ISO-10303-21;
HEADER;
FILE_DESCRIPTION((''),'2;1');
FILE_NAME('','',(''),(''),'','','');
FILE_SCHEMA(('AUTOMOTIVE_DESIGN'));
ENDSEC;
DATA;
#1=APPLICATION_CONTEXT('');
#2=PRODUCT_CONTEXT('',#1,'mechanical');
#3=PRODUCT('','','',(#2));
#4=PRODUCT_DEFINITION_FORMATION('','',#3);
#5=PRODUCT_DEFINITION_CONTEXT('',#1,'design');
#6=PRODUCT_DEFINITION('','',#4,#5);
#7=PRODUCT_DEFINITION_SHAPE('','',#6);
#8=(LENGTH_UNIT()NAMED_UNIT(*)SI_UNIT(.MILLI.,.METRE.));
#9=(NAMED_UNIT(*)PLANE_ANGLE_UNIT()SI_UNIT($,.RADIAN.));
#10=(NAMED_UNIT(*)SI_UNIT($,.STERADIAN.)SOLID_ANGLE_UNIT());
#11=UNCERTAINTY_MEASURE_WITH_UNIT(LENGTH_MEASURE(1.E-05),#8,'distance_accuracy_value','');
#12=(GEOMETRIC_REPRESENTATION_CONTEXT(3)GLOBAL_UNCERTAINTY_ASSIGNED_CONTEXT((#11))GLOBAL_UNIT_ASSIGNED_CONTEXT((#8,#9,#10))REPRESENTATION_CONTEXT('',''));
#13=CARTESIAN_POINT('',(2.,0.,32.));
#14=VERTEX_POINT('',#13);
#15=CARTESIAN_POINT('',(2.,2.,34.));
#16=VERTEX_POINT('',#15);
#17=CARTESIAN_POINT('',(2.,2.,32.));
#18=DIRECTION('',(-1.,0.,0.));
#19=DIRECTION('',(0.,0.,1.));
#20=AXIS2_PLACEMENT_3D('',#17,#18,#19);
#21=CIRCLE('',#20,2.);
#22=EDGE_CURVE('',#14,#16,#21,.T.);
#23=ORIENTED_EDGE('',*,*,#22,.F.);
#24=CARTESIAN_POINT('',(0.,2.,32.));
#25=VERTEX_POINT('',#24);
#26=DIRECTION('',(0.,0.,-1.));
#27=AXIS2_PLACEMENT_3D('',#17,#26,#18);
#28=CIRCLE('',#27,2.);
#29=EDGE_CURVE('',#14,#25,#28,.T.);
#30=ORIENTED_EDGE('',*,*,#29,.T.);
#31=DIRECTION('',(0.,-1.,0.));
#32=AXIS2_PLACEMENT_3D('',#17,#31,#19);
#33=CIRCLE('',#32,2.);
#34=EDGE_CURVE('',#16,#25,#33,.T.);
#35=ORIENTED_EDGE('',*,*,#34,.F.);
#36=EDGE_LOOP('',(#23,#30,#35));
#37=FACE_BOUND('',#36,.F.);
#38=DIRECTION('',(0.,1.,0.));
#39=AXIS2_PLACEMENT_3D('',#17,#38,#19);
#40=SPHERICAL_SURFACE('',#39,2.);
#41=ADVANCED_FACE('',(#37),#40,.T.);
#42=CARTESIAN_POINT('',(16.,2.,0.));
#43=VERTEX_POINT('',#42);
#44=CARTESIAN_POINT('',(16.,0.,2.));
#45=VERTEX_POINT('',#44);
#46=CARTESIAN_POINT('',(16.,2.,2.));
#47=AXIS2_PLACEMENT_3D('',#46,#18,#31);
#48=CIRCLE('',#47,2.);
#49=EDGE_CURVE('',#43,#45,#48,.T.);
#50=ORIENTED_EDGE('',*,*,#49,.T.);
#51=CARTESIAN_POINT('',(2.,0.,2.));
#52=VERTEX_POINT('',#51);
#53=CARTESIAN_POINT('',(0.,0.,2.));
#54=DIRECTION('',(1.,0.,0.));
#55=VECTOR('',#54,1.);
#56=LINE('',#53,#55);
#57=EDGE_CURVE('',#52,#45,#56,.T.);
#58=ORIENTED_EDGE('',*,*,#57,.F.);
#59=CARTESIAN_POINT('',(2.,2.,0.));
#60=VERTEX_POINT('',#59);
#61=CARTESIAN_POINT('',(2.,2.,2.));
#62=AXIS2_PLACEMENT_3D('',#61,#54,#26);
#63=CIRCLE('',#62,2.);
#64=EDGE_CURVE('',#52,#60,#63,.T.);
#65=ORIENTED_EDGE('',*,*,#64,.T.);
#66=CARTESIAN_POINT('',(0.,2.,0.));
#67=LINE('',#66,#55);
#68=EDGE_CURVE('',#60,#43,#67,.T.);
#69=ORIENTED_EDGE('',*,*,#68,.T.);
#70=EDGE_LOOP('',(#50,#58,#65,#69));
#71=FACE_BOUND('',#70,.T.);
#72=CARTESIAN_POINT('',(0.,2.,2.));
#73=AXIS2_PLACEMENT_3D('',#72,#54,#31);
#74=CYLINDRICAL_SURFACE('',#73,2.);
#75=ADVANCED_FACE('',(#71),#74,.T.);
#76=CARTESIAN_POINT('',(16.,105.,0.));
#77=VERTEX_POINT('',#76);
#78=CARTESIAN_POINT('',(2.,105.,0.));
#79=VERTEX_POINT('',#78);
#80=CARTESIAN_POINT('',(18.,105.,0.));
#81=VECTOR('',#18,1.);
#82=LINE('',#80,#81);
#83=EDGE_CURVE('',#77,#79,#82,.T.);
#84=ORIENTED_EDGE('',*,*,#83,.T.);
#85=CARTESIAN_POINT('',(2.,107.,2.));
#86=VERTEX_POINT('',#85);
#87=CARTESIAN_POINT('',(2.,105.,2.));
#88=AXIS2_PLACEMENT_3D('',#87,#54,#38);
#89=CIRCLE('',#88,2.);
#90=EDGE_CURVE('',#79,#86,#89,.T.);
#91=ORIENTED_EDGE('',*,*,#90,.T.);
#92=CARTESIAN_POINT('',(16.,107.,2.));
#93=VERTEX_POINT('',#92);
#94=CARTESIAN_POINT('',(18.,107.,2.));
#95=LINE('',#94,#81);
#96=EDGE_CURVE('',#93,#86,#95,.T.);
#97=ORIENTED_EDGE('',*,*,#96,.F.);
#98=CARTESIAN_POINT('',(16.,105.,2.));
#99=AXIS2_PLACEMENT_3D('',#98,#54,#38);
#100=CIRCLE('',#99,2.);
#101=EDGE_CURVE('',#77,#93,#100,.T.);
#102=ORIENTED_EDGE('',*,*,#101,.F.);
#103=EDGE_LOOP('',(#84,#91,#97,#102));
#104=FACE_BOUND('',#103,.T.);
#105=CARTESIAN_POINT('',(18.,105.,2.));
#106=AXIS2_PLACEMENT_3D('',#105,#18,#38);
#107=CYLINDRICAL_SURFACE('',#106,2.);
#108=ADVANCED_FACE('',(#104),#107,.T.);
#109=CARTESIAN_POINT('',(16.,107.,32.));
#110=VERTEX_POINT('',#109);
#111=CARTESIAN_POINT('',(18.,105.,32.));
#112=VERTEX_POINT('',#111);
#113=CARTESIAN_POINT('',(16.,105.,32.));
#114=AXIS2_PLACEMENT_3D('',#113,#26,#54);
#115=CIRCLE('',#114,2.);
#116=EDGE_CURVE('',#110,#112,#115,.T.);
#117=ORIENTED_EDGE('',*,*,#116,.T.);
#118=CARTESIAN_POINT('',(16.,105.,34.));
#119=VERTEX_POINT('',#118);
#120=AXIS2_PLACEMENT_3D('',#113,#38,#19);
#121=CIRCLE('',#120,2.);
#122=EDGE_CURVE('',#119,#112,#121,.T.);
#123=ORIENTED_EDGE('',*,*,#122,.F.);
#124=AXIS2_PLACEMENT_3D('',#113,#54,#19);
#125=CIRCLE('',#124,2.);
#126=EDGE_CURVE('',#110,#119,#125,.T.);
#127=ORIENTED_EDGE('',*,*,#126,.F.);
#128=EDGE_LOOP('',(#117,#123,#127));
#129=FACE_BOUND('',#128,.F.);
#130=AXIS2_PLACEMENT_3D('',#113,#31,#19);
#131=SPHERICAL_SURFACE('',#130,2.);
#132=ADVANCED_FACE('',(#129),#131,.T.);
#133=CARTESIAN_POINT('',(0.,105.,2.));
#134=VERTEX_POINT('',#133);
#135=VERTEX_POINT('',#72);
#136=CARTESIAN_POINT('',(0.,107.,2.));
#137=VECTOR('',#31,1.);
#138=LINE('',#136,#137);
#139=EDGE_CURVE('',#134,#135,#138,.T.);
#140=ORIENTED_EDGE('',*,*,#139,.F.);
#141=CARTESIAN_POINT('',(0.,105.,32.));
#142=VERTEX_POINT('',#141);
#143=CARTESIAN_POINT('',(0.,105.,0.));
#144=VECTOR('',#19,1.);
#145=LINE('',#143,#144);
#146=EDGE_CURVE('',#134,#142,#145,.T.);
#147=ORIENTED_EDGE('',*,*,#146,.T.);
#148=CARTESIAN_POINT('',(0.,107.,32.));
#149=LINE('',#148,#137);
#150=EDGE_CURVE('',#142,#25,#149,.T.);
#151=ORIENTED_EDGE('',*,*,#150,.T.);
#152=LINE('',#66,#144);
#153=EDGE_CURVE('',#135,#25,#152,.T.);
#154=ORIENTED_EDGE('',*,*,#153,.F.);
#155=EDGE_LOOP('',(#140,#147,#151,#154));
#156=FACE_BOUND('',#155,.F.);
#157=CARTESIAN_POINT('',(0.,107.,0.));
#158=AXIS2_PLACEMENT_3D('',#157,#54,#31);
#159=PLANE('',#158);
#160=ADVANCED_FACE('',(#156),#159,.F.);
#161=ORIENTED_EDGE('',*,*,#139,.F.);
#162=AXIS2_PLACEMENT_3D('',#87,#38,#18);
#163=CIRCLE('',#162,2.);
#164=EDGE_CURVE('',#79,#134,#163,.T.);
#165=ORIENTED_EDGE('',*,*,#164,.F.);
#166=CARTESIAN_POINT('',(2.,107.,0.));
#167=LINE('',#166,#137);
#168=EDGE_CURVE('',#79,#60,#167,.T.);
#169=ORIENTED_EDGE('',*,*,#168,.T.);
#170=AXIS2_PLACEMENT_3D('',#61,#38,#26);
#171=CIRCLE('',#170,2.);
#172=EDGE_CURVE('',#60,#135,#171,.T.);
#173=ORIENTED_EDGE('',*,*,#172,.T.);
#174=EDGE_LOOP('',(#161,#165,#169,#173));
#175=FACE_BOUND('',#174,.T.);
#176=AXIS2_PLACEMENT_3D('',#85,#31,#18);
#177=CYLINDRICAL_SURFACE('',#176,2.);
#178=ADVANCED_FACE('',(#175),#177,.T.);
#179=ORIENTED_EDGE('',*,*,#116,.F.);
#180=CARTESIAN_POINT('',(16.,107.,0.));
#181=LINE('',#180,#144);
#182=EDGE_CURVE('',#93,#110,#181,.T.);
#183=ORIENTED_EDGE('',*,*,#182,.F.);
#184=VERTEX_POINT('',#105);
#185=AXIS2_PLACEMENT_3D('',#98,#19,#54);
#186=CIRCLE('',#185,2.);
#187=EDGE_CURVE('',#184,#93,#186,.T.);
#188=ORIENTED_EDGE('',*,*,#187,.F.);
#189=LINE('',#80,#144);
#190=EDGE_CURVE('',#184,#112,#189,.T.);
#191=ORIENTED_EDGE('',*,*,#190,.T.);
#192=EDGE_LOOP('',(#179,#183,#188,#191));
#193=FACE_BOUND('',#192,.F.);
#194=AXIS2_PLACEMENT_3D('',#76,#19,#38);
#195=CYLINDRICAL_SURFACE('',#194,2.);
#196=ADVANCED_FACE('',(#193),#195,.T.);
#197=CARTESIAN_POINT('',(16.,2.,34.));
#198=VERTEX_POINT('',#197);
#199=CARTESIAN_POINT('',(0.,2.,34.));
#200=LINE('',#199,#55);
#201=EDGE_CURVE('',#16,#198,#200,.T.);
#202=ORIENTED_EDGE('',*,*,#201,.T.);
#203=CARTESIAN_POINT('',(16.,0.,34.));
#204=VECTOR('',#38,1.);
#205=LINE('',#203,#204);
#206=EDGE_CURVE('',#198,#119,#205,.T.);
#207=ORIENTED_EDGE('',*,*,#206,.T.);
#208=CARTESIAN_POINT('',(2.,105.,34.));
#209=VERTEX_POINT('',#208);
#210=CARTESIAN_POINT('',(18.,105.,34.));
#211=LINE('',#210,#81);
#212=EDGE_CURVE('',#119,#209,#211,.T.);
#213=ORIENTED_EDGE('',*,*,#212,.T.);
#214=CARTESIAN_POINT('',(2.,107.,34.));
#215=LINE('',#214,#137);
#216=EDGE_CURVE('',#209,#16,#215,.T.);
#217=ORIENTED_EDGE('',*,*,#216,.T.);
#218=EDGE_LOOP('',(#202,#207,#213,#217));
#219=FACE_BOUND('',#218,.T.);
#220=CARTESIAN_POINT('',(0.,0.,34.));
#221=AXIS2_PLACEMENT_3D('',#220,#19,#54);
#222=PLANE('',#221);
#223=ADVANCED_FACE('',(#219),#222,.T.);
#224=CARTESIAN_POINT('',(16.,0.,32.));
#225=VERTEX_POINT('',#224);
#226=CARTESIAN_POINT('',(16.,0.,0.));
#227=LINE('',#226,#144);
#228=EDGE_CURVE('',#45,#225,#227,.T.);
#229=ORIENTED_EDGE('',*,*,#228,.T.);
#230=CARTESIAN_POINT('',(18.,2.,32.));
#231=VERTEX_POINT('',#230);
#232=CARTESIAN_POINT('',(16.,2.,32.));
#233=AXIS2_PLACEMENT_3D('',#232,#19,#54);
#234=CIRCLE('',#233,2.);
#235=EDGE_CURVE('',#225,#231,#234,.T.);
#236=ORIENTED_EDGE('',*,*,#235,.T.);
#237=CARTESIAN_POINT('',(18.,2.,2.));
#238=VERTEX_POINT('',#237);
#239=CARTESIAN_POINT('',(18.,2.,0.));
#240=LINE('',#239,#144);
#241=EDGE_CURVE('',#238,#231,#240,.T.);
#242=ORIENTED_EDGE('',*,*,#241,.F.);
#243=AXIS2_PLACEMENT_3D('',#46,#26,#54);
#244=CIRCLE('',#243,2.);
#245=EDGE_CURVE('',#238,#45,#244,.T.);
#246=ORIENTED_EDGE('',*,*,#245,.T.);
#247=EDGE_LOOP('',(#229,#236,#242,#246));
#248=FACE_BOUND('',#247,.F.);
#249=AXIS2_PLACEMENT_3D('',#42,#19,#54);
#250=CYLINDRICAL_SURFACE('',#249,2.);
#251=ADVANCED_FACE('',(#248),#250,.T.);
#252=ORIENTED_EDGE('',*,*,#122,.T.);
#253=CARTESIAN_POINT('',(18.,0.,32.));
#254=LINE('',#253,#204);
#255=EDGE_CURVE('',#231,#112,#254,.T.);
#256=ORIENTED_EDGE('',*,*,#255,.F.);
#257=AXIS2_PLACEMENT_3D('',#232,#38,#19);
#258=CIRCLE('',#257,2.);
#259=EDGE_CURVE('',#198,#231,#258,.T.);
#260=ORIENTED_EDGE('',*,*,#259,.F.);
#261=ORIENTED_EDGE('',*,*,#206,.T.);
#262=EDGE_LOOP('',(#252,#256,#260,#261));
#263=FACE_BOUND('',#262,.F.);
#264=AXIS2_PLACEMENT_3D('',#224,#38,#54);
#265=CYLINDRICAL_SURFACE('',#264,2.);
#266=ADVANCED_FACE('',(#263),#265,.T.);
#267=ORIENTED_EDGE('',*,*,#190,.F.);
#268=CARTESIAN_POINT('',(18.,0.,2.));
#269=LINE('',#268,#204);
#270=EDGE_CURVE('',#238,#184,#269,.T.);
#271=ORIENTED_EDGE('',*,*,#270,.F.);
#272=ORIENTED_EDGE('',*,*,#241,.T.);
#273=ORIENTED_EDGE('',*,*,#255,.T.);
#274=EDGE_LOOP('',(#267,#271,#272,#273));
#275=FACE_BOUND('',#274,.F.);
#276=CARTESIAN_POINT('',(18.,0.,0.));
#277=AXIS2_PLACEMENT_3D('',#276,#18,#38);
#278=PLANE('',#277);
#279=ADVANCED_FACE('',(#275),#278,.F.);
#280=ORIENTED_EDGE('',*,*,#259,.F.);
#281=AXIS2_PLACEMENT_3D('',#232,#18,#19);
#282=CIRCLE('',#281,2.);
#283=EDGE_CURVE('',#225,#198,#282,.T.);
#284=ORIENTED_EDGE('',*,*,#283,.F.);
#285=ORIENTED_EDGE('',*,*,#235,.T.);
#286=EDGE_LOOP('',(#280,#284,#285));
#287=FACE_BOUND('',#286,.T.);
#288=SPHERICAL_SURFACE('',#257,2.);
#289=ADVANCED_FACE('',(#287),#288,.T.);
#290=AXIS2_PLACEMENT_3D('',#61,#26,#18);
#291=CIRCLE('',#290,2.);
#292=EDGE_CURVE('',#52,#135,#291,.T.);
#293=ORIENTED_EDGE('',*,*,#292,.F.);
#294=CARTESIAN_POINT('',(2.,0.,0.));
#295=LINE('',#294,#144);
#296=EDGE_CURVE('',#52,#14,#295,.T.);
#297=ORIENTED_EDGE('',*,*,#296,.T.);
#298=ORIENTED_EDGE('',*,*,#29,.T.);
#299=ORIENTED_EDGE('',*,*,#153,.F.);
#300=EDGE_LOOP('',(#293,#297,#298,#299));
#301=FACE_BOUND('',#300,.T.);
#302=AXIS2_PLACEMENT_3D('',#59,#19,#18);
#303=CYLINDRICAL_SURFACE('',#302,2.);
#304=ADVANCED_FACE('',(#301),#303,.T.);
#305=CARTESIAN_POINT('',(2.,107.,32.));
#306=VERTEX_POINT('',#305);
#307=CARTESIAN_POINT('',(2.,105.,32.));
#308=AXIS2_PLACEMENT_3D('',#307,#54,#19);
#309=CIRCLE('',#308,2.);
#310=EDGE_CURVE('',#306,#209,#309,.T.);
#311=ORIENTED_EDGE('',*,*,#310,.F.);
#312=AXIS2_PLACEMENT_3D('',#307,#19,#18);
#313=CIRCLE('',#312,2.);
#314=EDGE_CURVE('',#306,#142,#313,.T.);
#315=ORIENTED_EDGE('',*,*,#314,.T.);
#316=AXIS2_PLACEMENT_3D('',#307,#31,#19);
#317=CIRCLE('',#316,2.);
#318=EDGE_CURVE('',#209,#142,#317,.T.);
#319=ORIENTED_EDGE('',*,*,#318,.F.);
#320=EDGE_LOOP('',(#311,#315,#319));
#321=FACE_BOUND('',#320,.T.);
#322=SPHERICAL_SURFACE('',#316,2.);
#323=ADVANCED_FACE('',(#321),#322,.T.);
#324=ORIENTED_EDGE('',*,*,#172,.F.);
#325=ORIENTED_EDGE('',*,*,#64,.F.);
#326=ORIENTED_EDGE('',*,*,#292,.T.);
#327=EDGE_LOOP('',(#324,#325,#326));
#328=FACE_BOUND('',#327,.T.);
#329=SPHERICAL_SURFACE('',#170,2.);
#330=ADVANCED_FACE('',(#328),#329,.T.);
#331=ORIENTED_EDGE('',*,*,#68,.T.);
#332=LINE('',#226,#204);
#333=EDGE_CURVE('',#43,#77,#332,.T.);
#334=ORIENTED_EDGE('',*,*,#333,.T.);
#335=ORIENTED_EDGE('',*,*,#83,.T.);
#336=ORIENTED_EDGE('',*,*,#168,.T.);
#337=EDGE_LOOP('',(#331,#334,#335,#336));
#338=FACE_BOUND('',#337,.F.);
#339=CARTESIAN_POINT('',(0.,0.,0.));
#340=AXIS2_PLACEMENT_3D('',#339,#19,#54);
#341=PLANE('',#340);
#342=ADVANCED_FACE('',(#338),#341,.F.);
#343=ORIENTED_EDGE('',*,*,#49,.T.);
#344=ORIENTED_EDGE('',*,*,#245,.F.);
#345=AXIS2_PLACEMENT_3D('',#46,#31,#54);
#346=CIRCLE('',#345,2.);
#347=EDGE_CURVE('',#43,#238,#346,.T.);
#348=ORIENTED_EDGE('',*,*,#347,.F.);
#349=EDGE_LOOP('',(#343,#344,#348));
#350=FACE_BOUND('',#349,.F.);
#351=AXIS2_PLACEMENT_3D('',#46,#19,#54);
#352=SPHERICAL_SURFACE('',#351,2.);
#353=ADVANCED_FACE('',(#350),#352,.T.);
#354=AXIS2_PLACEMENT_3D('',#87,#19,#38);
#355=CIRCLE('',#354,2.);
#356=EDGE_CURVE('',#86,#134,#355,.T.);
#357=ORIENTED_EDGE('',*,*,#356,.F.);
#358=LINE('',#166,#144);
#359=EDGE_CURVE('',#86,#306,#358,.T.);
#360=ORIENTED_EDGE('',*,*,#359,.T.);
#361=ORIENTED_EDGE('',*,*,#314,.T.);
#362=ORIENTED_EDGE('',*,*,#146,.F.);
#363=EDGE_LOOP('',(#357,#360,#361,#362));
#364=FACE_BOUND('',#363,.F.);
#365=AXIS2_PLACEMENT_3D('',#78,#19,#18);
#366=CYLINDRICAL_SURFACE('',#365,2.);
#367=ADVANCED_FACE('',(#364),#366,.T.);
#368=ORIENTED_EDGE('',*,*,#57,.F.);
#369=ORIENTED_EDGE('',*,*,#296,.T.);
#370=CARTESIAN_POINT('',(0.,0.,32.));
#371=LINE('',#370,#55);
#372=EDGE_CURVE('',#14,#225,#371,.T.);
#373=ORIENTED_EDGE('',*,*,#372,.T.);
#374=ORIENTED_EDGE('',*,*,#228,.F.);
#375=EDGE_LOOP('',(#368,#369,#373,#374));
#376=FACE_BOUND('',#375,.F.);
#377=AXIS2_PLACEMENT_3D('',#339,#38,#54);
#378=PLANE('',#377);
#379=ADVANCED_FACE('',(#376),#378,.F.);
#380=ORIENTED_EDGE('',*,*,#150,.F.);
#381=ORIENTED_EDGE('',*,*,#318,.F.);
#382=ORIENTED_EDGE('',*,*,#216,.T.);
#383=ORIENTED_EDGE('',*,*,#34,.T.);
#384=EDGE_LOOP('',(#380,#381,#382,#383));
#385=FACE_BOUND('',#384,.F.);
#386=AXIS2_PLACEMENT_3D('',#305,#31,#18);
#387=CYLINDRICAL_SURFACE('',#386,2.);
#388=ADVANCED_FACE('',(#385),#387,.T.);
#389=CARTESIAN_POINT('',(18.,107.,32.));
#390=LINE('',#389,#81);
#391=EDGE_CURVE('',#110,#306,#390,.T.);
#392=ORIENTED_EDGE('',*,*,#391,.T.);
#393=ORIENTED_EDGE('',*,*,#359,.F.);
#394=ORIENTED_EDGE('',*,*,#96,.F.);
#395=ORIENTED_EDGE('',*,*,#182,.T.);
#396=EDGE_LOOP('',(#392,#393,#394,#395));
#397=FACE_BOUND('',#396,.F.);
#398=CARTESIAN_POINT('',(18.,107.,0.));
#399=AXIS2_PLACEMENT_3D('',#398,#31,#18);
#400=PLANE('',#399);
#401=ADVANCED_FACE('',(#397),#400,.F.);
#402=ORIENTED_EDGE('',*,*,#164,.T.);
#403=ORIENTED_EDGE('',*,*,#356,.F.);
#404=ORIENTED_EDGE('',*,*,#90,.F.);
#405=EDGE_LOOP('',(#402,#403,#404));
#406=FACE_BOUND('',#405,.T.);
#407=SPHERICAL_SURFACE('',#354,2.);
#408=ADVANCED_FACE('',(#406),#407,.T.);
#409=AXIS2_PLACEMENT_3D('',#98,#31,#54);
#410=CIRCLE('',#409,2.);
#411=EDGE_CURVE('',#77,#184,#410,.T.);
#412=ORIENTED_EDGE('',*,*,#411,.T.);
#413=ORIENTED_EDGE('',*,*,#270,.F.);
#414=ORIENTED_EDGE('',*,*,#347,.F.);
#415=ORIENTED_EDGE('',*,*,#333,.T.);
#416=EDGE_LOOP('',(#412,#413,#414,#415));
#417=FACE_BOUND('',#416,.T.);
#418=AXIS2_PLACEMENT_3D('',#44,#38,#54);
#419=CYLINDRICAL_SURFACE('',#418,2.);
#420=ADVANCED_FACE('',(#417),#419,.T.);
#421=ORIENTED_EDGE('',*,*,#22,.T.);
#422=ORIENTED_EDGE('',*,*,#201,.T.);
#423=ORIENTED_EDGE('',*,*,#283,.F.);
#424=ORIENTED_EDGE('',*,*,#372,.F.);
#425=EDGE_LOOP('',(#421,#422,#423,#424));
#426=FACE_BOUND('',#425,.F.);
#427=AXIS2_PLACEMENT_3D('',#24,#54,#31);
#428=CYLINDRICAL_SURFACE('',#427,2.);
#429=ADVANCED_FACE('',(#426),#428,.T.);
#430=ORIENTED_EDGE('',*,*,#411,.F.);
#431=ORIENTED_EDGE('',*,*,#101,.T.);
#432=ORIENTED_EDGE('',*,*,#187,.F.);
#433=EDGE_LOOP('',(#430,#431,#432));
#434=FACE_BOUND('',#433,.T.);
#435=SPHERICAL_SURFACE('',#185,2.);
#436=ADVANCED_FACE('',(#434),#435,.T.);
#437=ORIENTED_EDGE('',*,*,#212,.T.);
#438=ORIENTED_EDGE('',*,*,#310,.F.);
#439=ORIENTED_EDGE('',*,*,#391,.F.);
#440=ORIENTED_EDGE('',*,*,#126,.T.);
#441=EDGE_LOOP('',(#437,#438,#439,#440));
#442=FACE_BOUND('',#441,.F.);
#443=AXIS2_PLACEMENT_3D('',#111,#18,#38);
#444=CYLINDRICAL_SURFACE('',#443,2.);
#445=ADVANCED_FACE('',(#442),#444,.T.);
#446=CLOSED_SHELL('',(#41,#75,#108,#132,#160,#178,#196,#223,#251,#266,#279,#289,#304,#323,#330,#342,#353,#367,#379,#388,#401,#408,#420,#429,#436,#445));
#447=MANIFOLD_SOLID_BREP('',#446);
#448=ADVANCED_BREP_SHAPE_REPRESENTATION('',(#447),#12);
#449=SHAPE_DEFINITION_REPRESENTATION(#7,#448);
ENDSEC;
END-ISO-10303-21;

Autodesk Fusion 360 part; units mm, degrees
sketch "スケッチ1" plane through (0, 0, 0) normal (0, 0, 1) x (1, 0, 0)
  line L0 (0, 0) -> (18, 0)
  line L1 (18, 0) -> (18, 107)
  line L2 (18, 107) -> (0, 107)
  line L3 (0, 107) -> (0, 0)
  dimension "d1" = 18
  dimension "d2" = 107
extrude "押し出し1" add sketch "スケッチ1" along normal blind 34
fillet "フィレット1" radius 2 12 edges at (0, 53.5, 34) (18, 53.5, 34) (9, 107, 34) (9, 0, 34) (18, 0, 17) (18, 107, 17) (18, 53.5, 0) (0, 107, 17) (9, 107, 0) (0, 53.5, 0) (9, 0, 0) (0, 0, 17)
